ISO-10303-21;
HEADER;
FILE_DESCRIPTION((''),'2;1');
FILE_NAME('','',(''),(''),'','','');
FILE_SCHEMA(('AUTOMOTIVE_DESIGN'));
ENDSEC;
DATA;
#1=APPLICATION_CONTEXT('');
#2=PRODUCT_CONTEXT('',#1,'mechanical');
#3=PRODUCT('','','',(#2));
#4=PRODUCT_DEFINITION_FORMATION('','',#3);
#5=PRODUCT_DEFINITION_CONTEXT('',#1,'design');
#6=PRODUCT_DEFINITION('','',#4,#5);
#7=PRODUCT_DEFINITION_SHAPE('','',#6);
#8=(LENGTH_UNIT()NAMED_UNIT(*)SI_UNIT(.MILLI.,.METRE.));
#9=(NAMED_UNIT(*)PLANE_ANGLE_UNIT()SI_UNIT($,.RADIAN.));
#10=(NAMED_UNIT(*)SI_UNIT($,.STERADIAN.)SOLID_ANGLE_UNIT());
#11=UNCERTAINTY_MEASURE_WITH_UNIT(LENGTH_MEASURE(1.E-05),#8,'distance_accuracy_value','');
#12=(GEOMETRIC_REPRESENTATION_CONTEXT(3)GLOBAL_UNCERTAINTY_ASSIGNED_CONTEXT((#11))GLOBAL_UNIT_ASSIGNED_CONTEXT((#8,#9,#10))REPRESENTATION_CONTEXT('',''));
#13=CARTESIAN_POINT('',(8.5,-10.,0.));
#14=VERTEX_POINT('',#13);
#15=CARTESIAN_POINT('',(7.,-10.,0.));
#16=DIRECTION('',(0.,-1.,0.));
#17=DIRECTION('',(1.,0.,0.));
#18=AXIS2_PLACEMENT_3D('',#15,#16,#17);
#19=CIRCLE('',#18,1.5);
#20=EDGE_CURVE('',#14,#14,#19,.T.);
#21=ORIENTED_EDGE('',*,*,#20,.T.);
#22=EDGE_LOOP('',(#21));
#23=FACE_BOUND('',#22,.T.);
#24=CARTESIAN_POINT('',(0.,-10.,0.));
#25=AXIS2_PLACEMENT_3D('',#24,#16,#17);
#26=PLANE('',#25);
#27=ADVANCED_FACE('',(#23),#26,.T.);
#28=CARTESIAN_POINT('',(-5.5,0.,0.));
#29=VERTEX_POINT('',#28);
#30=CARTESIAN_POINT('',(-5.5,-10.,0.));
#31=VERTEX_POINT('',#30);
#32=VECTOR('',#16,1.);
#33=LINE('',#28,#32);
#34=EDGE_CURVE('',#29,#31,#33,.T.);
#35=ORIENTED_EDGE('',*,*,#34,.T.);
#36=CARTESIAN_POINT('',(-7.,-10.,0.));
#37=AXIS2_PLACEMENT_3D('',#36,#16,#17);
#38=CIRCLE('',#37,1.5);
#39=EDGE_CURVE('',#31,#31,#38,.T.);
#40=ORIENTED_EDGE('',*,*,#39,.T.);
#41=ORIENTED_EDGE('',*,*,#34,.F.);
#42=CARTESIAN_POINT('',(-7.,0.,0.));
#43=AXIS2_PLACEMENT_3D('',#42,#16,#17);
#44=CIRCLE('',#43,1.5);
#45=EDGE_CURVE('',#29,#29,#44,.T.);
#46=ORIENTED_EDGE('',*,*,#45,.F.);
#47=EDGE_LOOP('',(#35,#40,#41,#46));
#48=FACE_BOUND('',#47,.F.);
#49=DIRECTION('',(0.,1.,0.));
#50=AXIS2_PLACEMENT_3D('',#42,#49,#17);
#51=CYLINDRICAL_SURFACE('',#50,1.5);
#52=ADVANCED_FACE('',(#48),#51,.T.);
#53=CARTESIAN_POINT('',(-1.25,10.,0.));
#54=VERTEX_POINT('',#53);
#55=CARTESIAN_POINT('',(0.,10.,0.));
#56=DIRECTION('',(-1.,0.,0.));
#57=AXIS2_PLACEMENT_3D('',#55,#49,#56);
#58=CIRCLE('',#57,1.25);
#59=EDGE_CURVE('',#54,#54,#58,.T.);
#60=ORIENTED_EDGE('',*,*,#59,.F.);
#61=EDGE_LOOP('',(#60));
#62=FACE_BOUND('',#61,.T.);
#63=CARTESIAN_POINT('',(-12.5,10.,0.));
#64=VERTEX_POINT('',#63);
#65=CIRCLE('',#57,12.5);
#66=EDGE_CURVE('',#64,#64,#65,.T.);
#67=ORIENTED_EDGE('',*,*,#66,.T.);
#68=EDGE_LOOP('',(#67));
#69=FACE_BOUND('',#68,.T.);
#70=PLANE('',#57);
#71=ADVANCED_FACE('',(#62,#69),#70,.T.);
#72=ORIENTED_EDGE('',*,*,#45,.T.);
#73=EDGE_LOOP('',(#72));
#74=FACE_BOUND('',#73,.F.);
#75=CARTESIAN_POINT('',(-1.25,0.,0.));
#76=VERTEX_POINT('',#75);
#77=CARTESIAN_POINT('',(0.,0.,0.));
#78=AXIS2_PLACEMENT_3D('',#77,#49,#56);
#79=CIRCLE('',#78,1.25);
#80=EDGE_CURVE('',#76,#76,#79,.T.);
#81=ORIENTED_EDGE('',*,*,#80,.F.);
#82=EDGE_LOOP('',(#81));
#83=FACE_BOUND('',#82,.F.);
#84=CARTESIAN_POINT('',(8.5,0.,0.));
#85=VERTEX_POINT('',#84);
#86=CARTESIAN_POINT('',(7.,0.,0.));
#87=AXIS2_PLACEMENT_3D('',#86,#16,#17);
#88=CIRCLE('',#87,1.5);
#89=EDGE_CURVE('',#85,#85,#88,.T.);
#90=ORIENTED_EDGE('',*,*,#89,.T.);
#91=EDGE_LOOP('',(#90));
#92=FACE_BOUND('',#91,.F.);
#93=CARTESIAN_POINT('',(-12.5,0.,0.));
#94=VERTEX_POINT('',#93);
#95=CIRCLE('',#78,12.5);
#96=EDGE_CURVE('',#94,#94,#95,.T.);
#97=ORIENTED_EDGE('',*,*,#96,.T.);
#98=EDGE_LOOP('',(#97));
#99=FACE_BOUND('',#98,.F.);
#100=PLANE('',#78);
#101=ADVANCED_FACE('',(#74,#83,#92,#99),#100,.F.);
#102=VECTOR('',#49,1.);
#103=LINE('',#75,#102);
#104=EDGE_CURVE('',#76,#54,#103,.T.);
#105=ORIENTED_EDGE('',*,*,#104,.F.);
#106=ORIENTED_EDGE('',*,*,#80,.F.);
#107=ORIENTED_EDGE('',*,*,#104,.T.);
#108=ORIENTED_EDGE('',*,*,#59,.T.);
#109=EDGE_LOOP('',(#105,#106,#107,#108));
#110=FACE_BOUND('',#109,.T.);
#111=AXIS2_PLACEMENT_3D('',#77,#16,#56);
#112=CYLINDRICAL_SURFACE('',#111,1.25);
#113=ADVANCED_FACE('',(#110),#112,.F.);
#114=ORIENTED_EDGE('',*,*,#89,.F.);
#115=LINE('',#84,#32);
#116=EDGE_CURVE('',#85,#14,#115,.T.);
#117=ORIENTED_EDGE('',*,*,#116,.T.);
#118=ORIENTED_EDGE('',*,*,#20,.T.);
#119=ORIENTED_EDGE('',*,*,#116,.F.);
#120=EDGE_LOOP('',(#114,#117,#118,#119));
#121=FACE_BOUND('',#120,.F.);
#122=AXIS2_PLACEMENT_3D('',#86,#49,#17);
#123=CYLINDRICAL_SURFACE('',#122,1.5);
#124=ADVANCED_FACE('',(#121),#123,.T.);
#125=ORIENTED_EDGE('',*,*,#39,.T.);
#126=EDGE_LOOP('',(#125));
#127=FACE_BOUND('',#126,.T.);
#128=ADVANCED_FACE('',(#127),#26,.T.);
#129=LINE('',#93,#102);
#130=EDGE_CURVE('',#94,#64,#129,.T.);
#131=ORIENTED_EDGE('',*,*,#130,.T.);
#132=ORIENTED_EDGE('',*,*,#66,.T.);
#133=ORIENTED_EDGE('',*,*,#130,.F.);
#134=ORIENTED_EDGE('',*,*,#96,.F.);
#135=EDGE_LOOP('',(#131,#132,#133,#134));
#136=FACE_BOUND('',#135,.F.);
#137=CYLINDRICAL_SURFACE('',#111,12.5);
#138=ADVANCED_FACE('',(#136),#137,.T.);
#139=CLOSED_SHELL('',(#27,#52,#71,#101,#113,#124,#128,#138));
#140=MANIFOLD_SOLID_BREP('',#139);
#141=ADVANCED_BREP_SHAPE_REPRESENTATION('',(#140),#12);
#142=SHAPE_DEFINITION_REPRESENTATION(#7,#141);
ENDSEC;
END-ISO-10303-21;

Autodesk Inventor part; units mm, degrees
ref_plane "YZ Plane" through (0, 0, 0) normal (1, 0, 0) x (0, 1, 0)
ref_plane "XZ Plane" through (0, 0, 0) normal (0, 1, 0) x (-1, 0, 0)
ref_plane "XY Plane" through (0, 0, 0) normal (0, 0, 1) x (1, 0, 0)
sketch "Sketch1" plane through (0, 0, 0) normal (0, 1, 0) x (-1, 0, 0)
  circle A0 centre (0, 0) radius 12.5
  circle A1 centre (0, 0) radius 1.25
  dimension "d0" = 25
  dimension "d1" = 2.5
extrude "Extrusion1" add sketch "Sketch1" along normal blind 10
sketch "Sketch2" plane through (0, 0, 0) normal (0, -1, 0) x (1, 0, 0)
  circle A0 centre (-7, 0) radius 1.5
  circle A1 centre (7, 0) radius 1.5
  point P0 (0, 0)
  dimension "d4" = 3
  dimension "d5" = 3
  dimension "d6" = 7
  dimension "d7" = 7
extrude "Extrusion2" add sketch "Sketch2" along normal blind 10
properties part number "buzz"
